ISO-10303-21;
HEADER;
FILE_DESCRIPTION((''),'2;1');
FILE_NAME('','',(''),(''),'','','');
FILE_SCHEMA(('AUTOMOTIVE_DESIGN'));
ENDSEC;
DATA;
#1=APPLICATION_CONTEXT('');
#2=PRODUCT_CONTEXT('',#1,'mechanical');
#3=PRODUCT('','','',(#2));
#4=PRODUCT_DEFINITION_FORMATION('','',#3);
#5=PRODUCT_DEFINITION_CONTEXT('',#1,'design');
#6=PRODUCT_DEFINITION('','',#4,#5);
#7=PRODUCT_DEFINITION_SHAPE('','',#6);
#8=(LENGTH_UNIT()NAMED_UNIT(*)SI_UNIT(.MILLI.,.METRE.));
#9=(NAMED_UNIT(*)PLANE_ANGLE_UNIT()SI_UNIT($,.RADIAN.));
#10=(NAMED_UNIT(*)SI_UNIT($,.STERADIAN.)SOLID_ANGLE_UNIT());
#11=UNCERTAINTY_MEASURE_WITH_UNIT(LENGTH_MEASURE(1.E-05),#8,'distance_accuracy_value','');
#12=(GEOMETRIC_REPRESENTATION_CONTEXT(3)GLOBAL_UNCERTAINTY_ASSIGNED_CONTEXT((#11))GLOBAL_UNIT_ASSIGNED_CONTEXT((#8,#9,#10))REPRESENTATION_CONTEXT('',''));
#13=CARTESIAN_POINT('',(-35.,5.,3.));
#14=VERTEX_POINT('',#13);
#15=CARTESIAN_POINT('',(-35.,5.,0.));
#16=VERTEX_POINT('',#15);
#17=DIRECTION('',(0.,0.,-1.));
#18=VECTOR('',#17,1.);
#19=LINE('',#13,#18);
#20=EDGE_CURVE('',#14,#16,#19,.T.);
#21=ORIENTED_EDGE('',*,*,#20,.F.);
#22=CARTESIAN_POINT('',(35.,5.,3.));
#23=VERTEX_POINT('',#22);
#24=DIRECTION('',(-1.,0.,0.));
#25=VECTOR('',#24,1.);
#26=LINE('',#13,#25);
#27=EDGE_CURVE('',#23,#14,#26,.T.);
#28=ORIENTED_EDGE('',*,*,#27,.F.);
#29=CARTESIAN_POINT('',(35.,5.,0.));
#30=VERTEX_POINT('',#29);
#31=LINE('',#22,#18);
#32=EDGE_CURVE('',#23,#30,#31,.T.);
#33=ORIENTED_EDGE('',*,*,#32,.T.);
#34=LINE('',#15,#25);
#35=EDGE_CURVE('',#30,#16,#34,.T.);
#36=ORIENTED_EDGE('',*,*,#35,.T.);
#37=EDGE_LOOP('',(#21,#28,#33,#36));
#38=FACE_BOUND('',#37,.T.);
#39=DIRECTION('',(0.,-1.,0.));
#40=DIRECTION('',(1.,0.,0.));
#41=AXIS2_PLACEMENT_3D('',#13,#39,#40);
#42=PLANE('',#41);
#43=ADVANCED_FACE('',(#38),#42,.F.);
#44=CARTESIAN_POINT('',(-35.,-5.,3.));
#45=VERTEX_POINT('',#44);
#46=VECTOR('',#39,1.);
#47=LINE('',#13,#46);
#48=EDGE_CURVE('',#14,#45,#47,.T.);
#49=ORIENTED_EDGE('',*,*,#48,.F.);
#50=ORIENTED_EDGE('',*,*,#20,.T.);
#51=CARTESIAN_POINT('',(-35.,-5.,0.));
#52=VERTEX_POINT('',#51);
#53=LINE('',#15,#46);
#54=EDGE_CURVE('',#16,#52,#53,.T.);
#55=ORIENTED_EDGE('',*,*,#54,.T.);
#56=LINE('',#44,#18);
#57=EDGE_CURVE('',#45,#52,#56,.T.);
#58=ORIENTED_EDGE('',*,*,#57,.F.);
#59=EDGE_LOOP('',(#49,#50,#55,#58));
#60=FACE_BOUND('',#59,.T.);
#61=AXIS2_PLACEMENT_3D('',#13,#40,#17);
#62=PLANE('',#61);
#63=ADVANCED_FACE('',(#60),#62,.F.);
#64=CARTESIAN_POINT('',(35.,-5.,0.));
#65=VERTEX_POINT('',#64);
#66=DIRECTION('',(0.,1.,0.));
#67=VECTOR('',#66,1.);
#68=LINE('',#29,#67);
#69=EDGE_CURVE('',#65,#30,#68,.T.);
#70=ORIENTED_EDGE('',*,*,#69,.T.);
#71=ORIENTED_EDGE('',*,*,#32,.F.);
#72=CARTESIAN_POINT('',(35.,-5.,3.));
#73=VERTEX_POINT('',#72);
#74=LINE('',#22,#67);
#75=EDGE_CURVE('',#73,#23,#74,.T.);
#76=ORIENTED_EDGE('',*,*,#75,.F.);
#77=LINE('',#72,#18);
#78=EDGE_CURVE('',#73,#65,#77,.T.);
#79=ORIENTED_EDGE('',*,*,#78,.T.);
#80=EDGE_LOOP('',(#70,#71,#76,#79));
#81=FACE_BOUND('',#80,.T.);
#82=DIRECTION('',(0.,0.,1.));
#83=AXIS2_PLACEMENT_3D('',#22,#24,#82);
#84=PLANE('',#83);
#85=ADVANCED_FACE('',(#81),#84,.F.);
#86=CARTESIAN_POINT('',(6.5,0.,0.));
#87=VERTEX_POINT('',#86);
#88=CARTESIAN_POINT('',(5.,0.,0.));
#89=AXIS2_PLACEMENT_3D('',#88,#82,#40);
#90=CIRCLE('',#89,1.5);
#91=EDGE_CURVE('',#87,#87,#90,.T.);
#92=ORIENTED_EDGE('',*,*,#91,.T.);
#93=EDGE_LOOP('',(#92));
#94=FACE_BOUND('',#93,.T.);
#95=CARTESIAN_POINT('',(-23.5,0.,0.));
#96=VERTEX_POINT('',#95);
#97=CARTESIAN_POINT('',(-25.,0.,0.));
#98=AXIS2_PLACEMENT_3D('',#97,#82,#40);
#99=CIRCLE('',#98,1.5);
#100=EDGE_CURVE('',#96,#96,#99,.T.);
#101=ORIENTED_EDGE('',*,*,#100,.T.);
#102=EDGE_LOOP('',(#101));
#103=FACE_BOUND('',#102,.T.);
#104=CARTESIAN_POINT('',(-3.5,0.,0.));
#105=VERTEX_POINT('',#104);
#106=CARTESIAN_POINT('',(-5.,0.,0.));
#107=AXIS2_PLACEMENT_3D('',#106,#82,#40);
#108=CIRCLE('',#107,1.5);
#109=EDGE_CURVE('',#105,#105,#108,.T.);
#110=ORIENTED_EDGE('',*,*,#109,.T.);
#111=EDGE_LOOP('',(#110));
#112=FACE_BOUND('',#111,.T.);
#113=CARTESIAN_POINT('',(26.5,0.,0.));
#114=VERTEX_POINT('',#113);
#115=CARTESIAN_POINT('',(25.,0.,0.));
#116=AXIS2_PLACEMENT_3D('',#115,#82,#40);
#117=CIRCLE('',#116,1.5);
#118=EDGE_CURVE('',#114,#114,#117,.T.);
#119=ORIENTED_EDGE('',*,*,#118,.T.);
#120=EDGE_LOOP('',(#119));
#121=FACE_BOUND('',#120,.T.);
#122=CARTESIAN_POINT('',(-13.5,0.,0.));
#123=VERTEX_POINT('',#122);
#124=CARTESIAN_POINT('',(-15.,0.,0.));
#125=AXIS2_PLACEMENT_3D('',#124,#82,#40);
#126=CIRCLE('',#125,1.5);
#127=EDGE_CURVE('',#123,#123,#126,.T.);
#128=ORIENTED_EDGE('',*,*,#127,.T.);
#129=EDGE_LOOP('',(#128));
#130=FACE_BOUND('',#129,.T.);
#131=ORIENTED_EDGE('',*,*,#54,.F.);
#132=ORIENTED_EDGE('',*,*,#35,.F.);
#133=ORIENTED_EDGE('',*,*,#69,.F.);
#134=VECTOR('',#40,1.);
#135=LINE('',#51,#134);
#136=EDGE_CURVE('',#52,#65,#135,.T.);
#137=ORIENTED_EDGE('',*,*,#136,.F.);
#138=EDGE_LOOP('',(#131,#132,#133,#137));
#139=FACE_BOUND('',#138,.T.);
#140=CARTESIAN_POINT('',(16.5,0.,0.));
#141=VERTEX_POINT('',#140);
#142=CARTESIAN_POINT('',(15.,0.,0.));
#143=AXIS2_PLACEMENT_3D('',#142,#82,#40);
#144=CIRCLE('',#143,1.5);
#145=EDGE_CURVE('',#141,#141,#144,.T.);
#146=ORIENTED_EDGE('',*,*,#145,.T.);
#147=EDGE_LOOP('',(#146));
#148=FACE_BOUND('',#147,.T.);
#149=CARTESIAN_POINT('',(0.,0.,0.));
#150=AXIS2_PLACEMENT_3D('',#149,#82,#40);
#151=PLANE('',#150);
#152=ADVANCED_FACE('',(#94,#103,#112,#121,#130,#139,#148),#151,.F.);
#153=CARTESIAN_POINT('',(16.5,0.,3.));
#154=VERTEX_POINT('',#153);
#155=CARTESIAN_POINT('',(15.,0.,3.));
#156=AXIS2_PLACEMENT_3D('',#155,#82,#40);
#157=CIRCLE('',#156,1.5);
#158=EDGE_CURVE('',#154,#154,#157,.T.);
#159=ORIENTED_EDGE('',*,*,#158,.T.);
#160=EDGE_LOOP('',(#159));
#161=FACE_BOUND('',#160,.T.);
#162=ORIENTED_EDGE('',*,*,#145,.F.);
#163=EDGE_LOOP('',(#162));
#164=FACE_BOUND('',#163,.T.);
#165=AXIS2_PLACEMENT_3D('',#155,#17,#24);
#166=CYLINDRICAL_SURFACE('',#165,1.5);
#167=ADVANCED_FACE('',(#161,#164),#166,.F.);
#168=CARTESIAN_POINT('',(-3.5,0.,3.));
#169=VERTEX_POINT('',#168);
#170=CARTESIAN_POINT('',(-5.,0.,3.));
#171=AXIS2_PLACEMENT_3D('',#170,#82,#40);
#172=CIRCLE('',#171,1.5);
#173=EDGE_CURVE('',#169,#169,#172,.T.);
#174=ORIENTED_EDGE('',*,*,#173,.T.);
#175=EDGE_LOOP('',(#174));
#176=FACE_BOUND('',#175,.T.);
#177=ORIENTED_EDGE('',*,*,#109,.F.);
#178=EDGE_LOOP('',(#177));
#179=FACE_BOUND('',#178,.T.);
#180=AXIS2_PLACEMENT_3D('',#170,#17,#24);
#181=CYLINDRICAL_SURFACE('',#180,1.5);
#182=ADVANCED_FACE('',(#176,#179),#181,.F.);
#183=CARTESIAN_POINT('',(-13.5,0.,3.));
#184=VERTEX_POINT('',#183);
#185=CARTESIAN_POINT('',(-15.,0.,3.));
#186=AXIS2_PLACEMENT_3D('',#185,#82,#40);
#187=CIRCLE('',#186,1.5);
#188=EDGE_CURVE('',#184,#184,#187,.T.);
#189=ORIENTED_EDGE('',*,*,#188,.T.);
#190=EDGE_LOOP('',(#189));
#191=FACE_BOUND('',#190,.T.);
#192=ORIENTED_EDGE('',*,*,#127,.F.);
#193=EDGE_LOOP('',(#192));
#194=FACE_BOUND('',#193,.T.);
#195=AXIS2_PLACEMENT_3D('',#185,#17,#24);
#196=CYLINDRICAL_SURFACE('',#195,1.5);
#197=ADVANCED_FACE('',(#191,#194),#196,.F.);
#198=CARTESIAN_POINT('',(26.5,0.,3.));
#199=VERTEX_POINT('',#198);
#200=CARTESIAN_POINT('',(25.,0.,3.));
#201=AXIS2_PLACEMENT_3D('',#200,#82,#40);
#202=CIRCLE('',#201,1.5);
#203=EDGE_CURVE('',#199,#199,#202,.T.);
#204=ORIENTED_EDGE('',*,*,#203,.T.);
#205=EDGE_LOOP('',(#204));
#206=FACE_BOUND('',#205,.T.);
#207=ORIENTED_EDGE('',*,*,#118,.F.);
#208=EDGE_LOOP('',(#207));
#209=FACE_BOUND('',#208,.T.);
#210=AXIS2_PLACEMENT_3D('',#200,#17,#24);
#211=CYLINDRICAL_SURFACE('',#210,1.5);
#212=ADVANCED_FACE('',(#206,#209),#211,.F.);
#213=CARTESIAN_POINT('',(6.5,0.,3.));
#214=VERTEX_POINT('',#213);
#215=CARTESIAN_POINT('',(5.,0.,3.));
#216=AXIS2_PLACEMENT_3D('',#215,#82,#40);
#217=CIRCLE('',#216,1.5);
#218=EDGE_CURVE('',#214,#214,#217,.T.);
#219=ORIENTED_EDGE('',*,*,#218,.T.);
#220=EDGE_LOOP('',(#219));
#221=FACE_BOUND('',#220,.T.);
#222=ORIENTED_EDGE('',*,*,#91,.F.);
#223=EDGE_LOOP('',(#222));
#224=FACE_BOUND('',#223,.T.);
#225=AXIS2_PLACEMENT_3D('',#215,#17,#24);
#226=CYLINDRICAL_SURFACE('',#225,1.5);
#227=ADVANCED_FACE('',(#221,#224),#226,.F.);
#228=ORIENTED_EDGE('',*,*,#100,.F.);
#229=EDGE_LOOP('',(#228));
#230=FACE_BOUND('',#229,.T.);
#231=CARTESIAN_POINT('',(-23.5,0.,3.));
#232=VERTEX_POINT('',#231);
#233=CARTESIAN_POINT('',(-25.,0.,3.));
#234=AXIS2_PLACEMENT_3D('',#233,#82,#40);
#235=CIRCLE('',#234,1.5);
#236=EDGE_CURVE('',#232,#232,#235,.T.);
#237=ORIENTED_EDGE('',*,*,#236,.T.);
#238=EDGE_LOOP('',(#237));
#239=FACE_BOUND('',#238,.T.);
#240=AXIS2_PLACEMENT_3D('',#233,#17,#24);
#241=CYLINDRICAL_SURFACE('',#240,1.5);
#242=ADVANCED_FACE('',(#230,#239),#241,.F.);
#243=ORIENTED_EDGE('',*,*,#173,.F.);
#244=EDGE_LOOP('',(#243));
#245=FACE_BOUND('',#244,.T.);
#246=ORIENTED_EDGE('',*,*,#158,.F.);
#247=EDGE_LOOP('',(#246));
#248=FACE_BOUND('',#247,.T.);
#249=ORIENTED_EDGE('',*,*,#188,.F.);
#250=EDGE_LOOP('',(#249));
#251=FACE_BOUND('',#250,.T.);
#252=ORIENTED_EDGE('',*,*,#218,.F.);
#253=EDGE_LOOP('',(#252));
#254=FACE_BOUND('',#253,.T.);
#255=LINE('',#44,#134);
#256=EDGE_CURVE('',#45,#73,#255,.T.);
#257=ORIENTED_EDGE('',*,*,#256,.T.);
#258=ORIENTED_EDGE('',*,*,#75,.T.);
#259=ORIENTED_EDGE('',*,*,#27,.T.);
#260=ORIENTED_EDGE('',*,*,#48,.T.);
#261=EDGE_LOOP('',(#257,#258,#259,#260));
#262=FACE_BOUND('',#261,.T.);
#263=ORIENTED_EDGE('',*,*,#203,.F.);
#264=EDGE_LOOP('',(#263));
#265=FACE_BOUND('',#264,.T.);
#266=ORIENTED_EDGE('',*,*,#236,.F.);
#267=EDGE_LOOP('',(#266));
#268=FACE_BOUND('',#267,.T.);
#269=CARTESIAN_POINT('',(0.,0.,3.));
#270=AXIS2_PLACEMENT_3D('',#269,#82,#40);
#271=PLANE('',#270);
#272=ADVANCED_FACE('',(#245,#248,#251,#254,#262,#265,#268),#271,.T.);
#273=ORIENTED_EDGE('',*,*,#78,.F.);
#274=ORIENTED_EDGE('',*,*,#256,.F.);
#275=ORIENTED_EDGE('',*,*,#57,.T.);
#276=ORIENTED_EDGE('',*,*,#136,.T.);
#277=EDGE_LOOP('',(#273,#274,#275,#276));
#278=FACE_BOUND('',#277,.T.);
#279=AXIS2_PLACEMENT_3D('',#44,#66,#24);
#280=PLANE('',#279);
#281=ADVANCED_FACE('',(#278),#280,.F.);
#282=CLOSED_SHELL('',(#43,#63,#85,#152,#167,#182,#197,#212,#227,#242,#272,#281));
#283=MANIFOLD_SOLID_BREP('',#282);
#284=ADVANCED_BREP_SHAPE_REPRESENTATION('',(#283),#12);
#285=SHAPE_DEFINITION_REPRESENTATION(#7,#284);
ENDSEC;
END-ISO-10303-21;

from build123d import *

# Parameters (mm, degrees)
SKETCH1_W           = 70
SKETCH1_H           = 10
SKETCH1_R           = 1.5
BOSS_EXTRUDE1_DEPTH = 3


with BuildPart() as part:
    # Sketch1 → Boss-Extrude1 (new body)
    with BuildSketch(Plane.XY):
        Rectangle(SKETCH1_W, SKETCH1_H)
        with Locations((-25, 0)):
            Circle(SKETCH1_R, mode=Mode.SUBTRACT)
        with Locations((-15, 0)):
            Circle(SKETCH1_R, mode=Mode.SUBTRACT)
        with Locations((-5, 0)):
            Circle(SKETCH1_R, mode=Mode.SUBTRACT)
        with Locations((5, 0)):
            Circle(SKETCH1_R, mode=Mode.SUBTRACT)
        with Locations((15, 0)):
            Circle(SKETCH1_R, mode=Mode.SUBTRACT)
        with Locations((25, 0)):
            Circle(SKETCH1_R, mode=Mode.SUBTRACT)
    extrude(amount=BOSS_EXTRUDE1_DEPTH)


solid = part.part
